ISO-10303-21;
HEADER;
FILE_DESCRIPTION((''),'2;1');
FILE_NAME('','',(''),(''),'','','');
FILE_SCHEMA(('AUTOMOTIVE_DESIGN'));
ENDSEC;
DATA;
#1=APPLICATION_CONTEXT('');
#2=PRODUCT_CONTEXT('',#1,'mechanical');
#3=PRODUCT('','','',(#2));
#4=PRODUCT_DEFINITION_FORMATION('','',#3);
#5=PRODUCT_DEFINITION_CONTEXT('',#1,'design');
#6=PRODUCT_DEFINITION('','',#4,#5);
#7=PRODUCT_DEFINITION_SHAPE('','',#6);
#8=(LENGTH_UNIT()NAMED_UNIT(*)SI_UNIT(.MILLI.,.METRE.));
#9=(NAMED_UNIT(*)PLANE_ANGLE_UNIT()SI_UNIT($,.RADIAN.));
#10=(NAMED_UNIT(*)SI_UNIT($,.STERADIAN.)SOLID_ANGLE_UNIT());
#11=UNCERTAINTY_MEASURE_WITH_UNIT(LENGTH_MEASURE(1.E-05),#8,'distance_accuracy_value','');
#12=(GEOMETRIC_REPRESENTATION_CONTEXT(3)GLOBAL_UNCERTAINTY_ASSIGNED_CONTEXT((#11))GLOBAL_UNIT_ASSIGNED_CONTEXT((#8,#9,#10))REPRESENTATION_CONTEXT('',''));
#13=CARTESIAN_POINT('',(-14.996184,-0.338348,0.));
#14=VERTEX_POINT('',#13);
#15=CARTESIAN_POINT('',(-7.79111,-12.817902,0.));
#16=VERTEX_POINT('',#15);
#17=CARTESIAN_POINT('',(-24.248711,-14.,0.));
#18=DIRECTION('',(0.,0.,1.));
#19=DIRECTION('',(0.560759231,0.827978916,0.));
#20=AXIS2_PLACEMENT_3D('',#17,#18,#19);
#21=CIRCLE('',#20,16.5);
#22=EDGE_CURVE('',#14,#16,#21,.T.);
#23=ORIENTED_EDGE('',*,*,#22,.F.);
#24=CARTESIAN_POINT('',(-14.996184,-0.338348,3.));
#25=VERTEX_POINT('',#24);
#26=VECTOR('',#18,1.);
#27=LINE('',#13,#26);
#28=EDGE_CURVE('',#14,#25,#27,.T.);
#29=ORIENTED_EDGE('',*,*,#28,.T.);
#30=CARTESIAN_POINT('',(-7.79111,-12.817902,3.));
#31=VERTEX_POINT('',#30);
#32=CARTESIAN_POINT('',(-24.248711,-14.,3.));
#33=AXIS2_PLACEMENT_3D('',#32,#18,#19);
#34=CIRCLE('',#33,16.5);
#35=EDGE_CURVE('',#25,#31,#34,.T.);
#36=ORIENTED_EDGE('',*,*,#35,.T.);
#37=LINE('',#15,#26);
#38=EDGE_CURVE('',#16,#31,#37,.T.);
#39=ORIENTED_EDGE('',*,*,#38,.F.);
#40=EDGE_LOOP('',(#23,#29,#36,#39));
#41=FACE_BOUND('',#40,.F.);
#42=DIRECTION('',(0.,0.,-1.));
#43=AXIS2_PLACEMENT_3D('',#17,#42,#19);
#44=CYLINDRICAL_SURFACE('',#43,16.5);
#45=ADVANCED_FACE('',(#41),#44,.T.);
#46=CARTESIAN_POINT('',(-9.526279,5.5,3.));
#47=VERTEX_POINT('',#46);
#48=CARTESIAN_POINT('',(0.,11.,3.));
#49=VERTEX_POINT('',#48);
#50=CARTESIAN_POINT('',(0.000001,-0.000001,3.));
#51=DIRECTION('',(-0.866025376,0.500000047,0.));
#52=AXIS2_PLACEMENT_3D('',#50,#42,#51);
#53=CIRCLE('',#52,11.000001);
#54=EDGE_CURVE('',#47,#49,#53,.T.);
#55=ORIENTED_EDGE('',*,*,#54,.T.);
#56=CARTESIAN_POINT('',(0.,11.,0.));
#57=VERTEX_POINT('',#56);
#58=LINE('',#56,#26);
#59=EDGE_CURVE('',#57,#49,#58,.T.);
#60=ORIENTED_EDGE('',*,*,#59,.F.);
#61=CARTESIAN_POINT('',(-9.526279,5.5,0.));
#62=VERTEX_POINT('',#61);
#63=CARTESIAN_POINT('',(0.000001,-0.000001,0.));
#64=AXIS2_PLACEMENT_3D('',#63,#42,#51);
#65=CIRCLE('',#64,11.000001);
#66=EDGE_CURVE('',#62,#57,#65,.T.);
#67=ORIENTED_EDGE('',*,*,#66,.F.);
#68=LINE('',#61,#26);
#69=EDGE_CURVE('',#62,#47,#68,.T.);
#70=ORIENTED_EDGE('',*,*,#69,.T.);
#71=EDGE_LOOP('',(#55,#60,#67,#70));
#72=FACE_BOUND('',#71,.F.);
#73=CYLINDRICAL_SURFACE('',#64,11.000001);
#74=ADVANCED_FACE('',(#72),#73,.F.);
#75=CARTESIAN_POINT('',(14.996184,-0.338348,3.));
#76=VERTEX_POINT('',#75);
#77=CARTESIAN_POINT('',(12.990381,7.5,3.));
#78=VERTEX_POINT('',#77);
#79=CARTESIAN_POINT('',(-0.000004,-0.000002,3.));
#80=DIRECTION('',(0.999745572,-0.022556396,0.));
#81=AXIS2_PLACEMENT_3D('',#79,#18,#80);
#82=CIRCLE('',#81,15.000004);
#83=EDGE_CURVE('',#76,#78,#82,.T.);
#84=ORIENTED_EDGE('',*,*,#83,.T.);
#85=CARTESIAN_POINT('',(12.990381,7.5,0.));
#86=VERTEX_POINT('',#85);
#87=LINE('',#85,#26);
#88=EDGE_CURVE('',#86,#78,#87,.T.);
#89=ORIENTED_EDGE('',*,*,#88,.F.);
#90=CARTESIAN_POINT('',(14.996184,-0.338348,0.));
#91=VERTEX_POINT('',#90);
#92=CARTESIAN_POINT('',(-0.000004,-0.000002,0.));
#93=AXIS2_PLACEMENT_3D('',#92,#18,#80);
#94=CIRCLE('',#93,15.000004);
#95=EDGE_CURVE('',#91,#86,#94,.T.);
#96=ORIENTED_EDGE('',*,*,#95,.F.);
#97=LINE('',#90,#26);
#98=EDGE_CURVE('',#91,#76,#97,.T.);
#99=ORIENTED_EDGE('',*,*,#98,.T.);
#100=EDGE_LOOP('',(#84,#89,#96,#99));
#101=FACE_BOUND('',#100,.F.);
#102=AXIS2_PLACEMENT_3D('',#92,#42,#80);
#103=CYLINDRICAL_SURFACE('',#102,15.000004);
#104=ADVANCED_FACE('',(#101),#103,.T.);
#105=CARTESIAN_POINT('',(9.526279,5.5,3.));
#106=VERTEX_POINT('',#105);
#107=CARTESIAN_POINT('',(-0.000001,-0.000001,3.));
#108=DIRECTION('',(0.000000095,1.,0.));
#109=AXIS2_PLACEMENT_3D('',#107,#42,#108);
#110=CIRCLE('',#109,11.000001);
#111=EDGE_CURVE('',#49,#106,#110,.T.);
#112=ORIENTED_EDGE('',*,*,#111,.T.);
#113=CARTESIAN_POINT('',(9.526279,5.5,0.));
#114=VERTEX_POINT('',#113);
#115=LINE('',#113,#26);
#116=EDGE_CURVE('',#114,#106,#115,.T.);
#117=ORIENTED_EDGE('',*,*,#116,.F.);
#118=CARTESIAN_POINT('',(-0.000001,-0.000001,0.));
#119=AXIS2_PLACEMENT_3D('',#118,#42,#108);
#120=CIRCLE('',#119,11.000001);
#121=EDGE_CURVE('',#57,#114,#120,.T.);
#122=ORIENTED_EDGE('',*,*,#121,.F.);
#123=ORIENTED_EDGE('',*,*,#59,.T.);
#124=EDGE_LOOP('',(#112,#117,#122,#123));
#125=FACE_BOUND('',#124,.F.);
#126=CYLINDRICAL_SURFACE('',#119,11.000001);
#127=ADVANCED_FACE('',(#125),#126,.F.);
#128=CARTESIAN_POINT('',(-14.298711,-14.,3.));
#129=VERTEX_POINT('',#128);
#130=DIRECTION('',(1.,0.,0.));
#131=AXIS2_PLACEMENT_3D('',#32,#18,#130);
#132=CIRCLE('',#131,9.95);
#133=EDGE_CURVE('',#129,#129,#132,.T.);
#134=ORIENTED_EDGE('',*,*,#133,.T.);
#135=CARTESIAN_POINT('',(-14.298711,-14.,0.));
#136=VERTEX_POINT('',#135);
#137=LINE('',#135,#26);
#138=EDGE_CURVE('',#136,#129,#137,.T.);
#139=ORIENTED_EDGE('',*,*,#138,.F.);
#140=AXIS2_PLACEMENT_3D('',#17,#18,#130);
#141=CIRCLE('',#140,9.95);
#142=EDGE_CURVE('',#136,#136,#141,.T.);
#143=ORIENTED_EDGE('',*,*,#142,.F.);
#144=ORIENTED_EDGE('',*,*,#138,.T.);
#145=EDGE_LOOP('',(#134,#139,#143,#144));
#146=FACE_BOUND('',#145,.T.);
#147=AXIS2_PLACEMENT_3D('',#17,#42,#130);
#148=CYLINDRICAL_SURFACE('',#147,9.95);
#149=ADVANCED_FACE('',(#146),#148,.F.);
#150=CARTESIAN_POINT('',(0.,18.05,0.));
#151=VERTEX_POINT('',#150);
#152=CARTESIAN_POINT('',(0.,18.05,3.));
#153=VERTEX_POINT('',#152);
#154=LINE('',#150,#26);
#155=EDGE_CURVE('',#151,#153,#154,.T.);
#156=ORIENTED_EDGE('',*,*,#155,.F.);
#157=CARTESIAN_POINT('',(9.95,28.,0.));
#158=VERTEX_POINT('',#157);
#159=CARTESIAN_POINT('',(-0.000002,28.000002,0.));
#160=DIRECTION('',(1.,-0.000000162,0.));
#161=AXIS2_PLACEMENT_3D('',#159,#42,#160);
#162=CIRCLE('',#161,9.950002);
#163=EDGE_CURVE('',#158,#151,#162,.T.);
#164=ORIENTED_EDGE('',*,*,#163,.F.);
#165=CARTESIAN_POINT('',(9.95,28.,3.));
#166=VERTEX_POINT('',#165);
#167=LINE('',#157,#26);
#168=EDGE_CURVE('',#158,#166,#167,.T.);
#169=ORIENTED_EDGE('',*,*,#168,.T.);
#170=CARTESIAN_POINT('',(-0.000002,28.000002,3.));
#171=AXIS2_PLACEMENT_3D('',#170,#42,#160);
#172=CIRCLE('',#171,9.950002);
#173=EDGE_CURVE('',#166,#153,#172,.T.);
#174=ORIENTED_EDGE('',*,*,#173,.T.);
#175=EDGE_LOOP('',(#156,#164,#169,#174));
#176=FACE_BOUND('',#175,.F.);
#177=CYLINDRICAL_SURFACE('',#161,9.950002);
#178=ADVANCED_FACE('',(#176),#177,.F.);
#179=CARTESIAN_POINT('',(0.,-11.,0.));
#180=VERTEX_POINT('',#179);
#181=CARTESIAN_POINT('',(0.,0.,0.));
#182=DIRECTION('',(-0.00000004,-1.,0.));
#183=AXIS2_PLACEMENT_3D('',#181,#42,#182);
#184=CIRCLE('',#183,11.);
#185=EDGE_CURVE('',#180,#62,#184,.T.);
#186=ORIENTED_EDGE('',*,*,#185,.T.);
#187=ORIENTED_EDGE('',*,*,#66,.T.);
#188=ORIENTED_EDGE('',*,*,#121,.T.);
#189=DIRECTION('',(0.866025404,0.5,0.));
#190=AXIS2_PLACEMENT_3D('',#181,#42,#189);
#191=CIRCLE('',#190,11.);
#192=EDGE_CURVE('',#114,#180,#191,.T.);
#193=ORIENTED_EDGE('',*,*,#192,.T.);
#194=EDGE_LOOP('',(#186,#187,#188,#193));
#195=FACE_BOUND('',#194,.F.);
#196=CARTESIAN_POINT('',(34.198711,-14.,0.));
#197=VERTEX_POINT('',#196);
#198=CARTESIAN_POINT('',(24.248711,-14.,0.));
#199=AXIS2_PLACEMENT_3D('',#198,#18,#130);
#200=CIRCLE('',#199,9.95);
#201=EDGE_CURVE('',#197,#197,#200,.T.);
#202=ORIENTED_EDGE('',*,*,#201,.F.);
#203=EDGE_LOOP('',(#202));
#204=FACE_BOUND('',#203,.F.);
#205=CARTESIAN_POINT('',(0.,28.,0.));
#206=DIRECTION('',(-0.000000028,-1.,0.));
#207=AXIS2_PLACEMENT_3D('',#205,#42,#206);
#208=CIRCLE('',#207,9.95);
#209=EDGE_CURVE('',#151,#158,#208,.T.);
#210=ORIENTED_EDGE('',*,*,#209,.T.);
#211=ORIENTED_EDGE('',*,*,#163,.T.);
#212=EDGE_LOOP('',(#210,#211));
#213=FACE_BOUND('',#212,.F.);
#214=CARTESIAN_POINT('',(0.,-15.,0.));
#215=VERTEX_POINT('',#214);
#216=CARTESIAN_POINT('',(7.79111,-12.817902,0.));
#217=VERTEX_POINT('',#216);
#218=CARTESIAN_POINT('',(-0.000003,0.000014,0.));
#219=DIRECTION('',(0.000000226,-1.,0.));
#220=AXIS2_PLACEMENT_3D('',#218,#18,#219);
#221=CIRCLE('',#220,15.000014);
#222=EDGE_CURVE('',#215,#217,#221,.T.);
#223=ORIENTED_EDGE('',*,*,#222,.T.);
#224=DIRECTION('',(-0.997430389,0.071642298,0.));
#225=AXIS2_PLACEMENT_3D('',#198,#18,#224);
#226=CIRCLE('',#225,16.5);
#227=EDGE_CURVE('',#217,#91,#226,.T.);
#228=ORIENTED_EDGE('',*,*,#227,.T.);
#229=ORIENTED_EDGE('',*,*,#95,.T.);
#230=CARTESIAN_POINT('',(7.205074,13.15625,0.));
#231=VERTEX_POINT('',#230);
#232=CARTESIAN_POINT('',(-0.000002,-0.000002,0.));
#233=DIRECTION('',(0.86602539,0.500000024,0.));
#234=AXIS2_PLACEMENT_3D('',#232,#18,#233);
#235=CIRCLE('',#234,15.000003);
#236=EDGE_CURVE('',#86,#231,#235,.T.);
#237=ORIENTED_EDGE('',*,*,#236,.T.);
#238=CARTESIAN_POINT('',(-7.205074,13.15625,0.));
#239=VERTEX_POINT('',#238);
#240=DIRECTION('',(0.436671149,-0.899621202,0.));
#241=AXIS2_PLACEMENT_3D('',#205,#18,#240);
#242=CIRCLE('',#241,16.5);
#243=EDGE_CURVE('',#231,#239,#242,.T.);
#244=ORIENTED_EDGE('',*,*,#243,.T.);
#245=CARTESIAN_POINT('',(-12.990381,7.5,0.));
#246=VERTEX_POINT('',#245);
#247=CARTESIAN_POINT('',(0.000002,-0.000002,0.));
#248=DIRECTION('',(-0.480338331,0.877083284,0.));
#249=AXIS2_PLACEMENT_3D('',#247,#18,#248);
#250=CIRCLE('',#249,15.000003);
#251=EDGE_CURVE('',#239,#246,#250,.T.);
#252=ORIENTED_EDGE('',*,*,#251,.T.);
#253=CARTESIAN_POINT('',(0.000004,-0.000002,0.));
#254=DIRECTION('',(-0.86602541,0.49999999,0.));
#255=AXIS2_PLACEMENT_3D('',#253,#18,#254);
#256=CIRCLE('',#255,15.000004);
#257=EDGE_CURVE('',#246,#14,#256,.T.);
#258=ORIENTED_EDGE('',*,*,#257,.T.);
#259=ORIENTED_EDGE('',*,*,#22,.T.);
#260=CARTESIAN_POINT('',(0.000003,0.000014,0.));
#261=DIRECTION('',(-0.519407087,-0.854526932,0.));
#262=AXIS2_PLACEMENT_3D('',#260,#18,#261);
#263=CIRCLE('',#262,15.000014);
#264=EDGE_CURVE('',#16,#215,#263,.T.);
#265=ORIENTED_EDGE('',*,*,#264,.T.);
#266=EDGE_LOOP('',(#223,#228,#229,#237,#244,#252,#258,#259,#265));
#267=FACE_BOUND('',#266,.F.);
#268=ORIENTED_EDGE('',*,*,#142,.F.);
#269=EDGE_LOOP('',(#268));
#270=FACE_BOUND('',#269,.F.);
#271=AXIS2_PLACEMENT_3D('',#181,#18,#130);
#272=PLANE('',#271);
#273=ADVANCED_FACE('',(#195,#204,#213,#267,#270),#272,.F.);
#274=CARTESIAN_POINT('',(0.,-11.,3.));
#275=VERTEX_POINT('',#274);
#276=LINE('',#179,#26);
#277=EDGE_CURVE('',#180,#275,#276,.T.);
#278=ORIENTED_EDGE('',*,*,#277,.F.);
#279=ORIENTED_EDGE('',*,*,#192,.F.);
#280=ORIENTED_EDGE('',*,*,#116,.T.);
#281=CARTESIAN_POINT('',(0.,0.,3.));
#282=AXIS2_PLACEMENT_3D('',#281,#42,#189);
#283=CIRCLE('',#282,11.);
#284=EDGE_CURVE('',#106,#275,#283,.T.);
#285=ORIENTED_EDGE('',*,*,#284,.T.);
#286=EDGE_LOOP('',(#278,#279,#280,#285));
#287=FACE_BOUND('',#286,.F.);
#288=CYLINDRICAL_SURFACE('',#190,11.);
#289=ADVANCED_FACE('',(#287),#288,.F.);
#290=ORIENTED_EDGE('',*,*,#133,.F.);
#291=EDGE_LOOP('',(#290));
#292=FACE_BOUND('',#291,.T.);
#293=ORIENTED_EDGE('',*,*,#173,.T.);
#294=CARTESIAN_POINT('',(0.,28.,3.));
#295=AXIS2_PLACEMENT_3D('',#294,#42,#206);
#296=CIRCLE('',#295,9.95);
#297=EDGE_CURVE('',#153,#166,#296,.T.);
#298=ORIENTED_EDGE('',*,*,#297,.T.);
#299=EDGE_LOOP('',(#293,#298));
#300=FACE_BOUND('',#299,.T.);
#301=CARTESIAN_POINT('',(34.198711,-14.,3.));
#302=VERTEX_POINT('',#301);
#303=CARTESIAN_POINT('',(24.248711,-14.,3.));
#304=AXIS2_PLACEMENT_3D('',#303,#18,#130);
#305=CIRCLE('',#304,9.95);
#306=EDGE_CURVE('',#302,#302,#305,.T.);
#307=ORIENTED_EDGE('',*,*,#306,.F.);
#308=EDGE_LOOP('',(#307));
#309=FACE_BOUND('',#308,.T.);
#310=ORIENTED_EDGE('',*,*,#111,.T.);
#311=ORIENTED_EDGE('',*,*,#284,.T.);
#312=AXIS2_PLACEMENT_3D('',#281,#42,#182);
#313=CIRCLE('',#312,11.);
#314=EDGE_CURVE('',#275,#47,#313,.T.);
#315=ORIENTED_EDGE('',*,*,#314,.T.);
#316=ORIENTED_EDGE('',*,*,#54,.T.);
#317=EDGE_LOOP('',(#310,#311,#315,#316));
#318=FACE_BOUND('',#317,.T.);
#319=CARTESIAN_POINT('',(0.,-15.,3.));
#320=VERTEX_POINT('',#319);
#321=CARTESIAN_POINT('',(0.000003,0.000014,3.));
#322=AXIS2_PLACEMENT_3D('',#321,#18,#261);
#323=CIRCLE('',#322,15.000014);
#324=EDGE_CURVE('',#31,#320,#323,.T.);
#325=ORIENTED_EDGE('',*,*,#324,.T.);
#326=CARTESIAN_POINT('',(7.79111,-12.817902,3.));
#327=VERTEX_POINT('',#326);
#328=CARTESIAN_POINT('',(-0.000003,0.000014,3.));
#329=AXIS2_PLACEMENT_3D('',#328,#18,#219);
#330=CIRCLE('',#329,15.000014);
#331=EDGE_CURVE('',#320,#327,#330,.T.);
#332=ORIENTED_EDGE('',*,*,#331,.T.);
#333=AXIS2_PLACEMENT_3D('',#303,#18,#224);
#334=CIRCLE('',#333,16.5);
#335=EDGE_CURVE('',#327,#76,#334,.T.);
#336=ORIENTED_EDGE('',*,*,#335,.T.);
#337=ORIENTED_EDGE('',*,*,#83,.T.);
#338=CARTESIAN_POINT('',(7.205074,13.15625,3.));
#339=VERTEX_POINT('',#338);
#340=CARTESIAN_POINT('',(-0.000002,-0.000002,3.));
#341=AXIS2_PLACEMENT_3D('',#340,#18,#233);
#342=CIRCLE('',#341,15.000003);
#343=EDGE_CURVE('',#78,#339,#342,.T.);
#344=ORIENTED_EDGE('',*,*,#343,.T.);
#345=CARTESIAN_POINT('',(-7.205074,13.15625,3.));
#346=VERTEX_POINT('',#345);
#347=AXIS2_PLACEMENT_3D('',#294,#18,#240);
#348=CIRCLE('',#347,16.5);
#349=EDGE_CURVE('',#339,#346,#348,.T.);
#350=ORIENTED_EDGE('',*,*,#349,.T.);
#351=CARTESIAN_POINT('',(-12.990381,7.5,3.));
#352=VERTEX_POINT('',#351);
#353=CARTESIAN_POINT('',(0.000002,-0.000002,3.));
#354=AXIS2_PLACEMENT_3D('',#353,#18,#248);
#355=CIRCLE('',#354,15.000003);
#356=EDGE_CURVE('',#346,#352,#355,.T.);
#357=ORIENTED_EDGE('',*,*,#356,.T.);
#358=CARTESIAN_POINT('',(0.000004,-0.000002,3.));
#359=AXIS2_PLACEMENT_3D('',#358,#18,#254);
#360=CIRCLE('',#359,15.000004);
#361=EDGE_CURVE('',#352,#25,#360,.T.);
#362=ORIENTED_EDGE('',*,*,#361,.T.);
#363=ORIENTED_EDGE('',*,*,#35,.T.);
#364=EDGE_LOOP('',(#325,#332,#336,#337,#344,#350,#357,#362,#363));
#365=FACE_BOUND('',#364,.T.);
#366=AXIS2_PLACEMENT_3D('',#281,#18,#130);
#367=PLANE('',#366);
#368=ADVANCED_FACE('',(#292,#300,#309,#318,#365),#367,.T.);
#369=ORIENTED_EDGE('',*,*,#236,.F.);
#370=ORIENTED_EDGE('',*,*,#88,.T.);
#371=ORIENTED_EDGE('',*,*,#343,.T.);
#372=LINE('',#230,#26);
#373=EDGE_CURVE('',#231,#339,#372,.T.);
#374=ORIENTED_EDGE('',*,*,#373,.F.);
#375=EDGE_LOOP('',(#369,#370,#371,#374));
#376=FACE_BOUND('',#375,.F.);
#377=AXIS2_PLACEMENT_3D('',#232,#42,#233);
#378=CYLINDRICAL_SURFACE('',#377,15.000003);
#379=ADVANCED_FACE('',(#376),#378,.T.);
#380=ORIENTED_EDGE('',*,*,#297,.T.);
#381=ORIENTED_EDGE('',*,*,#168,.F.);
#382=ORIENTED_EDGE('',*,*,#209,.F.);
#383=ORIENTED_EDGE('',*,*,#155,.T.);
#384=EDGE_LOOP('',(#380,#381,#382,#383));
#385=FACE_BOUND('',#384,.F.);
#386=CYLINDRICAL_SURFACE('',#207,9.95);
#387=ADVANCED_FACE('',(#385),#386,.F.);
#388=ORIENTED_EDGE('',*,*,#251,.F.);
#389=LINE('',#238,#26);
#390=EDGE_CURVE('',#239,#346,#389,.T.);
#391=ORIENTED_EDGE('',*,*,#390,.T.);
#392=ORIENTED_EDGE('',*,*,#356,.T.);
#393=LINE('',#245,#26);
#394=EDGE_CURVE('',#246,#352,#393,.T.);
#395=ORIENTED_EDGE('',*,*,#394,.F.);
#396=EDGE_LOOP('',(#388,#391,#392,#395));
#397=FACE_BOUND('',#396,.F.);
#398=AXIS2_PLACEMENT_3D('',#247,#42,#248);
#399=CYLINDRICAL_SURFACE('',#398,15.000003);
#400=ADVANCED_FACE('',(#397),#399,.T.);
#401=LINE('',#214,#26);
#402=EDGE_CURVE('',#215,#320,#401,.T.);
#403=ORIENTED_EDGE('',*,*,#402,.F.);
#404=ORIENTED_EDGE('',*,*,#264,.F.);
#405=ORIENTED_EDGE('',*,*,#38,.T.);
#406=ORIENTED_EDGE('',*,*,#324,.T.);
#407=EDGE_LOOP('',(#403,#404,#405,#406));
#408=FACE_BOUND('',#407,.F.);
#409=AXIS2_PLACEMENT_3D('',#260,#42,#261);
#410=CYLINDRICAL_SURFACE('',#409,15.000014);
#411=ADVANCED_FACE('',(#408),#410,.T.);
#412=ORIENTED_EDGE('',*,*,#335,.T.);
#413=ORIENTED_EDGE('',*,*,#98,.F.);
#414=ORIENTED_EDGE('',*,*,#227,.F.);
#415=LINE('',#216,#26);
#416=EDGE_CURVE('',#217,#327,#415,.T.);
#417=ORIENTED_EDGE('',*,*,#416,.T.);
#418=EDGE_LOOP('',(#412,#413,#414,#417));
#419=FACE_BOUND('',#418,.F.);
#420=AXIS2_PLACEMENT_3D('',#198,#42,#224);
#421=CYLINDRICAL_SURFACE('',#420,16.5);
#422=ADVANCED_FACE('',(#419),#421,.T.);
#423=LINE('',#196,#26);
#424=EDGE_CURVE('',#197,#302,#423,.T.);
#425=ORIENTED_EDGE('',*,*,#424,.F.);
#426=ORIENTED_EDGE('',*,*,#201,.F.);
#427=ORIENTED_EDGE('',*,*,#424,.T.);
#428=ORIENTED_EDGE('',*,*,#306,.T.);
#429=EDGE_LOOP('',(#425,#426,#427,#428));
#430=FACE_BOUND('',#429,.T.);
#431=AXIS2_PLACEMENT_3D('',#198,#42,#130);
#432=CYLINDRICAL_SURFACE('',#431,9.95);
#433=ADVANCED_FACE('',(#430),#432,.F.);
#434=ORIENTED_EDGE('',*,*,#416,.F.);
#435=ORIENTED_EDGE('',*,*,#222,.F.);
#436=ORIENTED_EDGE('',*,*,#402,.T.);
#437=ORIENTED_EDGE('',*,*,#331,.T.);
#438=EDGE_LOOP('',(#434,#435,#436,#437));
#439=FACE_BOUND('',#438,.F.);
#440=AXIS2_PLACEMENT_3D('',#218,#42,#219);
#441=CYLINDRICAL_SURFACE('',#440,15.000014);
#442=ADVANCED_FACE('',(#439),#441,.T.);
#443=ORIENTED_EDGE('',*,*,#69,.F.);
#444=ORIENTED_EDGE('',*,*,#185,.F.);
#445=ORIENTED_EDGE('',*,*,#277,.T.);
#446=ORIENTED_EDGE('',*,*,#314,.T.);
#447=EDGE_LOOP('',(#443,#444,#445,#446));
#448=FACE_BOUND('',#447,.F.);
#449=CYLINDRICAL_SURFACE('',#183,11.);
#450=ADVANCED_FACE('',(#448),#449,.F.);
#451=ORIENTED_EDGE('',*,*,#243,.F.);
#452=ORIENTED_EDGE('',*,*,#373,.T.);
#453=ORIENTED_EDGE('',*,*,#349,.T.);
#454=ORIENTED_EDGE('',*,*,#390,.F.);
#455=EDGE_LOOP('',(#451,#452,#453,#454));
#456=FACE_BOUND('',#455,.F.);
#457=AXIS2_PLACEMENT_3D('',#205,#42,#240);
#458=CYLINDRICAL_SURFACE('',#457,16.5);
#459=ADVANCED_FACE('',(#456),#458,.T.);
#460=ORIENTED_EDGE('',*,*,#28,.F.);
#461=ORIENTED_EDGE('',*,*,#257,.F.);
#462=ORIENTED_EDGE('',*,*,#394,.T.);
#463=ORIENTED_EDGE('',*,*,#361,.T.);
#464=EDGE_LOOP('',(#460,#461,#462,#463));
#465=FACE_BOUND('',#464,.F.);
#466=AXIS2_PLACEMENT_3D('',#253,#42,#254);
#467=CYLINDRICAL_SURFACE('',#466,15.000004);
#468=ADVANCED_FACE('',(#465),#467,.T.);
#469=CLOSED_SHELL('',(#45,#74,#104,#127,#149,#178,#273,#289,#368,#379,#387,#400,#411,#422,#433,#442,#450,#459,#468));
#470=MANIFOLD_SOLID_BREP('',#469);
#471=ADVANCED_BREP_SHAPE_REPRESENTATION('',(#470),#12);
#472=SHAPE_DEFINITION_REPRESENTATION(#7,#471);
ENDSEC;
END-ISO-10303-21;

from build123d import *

# Parameters (mm, degrees)
F0_R     = 9.95
F1_DEPTH = 3


with BuildPart() as f1:
    # F0 (on Top) → F1 (new body)
    with BuildSketch(Plane.XY):
        with BuildLine():
            ThreePointArc((7.205074, 13.15625), (0, 44.5), (-7.205074, 13.15625))
            ThreePointArc((-7.205074, 13.15625), (-10.486295, 10.725559), (-12.990381, 7.5))
            ThreePointArc((-12.990381, 7.5), (-14.531754, 3.718619), (-14.996184, -0.338348))
            ThreePointArc((-14.996184, -0.338348), (-38.53813, -22.25), (-7.79111, -12.817902))
            ThreePointArc((-7.79111, -12.817902), (-4.045459, -14.444177), (0, -15))
            ThreePointArc((0, -15), (4.045459, -14.444177), (7.79111, -12.817902))
            ThreePointArc((7.79111, -12.817902), (38.53813, -22.25), (14.996184, -0.338348))
            ThreePointArc((14.996184, -0.338348), (14.531754, 3.718619), (12.990381, 7.5))
            ThreePointArc((12.990381, 7.5), (10.486295, 10.725559), (7.205074, 13.15625))
        make_face()
        with Locations((-24.248711, -14)):
            Circle(F0_R, mode=Mode.SUBTRACT)
        with BuildLine():
            ThreePointArc((0, 11), (5.5, 9.526279), (9.526279, 5.5))
            ThreePointArc((9.526279, 5.5), (9.526279, -5.5), (0, -11))
            ThreePointArc((0, -11), (-9.526279, -5.5), (-9.526279, 5.5))
            ThreePointArc((-9.526279, 5.5), (-5.5, 9.526279), (0, 11))
        make_face(mode=Mode.SUBTRACT)
        with Locations((24.248711, -14)):
            Circle(F0_R, mode=Mode.SUBTRACT)
        with BuildLine():
            ThreePointArc((9.95, 28), (7.035712, 20.964288), (0, 18.05))
            ThreePointArc((0, 18.05), (-7.035712, 35.035712), (9.95, 28))
        make_face(mode=Mode.SUBTRACT)
    extrude(amount=F1_DEPTH)


solid = f1.part
